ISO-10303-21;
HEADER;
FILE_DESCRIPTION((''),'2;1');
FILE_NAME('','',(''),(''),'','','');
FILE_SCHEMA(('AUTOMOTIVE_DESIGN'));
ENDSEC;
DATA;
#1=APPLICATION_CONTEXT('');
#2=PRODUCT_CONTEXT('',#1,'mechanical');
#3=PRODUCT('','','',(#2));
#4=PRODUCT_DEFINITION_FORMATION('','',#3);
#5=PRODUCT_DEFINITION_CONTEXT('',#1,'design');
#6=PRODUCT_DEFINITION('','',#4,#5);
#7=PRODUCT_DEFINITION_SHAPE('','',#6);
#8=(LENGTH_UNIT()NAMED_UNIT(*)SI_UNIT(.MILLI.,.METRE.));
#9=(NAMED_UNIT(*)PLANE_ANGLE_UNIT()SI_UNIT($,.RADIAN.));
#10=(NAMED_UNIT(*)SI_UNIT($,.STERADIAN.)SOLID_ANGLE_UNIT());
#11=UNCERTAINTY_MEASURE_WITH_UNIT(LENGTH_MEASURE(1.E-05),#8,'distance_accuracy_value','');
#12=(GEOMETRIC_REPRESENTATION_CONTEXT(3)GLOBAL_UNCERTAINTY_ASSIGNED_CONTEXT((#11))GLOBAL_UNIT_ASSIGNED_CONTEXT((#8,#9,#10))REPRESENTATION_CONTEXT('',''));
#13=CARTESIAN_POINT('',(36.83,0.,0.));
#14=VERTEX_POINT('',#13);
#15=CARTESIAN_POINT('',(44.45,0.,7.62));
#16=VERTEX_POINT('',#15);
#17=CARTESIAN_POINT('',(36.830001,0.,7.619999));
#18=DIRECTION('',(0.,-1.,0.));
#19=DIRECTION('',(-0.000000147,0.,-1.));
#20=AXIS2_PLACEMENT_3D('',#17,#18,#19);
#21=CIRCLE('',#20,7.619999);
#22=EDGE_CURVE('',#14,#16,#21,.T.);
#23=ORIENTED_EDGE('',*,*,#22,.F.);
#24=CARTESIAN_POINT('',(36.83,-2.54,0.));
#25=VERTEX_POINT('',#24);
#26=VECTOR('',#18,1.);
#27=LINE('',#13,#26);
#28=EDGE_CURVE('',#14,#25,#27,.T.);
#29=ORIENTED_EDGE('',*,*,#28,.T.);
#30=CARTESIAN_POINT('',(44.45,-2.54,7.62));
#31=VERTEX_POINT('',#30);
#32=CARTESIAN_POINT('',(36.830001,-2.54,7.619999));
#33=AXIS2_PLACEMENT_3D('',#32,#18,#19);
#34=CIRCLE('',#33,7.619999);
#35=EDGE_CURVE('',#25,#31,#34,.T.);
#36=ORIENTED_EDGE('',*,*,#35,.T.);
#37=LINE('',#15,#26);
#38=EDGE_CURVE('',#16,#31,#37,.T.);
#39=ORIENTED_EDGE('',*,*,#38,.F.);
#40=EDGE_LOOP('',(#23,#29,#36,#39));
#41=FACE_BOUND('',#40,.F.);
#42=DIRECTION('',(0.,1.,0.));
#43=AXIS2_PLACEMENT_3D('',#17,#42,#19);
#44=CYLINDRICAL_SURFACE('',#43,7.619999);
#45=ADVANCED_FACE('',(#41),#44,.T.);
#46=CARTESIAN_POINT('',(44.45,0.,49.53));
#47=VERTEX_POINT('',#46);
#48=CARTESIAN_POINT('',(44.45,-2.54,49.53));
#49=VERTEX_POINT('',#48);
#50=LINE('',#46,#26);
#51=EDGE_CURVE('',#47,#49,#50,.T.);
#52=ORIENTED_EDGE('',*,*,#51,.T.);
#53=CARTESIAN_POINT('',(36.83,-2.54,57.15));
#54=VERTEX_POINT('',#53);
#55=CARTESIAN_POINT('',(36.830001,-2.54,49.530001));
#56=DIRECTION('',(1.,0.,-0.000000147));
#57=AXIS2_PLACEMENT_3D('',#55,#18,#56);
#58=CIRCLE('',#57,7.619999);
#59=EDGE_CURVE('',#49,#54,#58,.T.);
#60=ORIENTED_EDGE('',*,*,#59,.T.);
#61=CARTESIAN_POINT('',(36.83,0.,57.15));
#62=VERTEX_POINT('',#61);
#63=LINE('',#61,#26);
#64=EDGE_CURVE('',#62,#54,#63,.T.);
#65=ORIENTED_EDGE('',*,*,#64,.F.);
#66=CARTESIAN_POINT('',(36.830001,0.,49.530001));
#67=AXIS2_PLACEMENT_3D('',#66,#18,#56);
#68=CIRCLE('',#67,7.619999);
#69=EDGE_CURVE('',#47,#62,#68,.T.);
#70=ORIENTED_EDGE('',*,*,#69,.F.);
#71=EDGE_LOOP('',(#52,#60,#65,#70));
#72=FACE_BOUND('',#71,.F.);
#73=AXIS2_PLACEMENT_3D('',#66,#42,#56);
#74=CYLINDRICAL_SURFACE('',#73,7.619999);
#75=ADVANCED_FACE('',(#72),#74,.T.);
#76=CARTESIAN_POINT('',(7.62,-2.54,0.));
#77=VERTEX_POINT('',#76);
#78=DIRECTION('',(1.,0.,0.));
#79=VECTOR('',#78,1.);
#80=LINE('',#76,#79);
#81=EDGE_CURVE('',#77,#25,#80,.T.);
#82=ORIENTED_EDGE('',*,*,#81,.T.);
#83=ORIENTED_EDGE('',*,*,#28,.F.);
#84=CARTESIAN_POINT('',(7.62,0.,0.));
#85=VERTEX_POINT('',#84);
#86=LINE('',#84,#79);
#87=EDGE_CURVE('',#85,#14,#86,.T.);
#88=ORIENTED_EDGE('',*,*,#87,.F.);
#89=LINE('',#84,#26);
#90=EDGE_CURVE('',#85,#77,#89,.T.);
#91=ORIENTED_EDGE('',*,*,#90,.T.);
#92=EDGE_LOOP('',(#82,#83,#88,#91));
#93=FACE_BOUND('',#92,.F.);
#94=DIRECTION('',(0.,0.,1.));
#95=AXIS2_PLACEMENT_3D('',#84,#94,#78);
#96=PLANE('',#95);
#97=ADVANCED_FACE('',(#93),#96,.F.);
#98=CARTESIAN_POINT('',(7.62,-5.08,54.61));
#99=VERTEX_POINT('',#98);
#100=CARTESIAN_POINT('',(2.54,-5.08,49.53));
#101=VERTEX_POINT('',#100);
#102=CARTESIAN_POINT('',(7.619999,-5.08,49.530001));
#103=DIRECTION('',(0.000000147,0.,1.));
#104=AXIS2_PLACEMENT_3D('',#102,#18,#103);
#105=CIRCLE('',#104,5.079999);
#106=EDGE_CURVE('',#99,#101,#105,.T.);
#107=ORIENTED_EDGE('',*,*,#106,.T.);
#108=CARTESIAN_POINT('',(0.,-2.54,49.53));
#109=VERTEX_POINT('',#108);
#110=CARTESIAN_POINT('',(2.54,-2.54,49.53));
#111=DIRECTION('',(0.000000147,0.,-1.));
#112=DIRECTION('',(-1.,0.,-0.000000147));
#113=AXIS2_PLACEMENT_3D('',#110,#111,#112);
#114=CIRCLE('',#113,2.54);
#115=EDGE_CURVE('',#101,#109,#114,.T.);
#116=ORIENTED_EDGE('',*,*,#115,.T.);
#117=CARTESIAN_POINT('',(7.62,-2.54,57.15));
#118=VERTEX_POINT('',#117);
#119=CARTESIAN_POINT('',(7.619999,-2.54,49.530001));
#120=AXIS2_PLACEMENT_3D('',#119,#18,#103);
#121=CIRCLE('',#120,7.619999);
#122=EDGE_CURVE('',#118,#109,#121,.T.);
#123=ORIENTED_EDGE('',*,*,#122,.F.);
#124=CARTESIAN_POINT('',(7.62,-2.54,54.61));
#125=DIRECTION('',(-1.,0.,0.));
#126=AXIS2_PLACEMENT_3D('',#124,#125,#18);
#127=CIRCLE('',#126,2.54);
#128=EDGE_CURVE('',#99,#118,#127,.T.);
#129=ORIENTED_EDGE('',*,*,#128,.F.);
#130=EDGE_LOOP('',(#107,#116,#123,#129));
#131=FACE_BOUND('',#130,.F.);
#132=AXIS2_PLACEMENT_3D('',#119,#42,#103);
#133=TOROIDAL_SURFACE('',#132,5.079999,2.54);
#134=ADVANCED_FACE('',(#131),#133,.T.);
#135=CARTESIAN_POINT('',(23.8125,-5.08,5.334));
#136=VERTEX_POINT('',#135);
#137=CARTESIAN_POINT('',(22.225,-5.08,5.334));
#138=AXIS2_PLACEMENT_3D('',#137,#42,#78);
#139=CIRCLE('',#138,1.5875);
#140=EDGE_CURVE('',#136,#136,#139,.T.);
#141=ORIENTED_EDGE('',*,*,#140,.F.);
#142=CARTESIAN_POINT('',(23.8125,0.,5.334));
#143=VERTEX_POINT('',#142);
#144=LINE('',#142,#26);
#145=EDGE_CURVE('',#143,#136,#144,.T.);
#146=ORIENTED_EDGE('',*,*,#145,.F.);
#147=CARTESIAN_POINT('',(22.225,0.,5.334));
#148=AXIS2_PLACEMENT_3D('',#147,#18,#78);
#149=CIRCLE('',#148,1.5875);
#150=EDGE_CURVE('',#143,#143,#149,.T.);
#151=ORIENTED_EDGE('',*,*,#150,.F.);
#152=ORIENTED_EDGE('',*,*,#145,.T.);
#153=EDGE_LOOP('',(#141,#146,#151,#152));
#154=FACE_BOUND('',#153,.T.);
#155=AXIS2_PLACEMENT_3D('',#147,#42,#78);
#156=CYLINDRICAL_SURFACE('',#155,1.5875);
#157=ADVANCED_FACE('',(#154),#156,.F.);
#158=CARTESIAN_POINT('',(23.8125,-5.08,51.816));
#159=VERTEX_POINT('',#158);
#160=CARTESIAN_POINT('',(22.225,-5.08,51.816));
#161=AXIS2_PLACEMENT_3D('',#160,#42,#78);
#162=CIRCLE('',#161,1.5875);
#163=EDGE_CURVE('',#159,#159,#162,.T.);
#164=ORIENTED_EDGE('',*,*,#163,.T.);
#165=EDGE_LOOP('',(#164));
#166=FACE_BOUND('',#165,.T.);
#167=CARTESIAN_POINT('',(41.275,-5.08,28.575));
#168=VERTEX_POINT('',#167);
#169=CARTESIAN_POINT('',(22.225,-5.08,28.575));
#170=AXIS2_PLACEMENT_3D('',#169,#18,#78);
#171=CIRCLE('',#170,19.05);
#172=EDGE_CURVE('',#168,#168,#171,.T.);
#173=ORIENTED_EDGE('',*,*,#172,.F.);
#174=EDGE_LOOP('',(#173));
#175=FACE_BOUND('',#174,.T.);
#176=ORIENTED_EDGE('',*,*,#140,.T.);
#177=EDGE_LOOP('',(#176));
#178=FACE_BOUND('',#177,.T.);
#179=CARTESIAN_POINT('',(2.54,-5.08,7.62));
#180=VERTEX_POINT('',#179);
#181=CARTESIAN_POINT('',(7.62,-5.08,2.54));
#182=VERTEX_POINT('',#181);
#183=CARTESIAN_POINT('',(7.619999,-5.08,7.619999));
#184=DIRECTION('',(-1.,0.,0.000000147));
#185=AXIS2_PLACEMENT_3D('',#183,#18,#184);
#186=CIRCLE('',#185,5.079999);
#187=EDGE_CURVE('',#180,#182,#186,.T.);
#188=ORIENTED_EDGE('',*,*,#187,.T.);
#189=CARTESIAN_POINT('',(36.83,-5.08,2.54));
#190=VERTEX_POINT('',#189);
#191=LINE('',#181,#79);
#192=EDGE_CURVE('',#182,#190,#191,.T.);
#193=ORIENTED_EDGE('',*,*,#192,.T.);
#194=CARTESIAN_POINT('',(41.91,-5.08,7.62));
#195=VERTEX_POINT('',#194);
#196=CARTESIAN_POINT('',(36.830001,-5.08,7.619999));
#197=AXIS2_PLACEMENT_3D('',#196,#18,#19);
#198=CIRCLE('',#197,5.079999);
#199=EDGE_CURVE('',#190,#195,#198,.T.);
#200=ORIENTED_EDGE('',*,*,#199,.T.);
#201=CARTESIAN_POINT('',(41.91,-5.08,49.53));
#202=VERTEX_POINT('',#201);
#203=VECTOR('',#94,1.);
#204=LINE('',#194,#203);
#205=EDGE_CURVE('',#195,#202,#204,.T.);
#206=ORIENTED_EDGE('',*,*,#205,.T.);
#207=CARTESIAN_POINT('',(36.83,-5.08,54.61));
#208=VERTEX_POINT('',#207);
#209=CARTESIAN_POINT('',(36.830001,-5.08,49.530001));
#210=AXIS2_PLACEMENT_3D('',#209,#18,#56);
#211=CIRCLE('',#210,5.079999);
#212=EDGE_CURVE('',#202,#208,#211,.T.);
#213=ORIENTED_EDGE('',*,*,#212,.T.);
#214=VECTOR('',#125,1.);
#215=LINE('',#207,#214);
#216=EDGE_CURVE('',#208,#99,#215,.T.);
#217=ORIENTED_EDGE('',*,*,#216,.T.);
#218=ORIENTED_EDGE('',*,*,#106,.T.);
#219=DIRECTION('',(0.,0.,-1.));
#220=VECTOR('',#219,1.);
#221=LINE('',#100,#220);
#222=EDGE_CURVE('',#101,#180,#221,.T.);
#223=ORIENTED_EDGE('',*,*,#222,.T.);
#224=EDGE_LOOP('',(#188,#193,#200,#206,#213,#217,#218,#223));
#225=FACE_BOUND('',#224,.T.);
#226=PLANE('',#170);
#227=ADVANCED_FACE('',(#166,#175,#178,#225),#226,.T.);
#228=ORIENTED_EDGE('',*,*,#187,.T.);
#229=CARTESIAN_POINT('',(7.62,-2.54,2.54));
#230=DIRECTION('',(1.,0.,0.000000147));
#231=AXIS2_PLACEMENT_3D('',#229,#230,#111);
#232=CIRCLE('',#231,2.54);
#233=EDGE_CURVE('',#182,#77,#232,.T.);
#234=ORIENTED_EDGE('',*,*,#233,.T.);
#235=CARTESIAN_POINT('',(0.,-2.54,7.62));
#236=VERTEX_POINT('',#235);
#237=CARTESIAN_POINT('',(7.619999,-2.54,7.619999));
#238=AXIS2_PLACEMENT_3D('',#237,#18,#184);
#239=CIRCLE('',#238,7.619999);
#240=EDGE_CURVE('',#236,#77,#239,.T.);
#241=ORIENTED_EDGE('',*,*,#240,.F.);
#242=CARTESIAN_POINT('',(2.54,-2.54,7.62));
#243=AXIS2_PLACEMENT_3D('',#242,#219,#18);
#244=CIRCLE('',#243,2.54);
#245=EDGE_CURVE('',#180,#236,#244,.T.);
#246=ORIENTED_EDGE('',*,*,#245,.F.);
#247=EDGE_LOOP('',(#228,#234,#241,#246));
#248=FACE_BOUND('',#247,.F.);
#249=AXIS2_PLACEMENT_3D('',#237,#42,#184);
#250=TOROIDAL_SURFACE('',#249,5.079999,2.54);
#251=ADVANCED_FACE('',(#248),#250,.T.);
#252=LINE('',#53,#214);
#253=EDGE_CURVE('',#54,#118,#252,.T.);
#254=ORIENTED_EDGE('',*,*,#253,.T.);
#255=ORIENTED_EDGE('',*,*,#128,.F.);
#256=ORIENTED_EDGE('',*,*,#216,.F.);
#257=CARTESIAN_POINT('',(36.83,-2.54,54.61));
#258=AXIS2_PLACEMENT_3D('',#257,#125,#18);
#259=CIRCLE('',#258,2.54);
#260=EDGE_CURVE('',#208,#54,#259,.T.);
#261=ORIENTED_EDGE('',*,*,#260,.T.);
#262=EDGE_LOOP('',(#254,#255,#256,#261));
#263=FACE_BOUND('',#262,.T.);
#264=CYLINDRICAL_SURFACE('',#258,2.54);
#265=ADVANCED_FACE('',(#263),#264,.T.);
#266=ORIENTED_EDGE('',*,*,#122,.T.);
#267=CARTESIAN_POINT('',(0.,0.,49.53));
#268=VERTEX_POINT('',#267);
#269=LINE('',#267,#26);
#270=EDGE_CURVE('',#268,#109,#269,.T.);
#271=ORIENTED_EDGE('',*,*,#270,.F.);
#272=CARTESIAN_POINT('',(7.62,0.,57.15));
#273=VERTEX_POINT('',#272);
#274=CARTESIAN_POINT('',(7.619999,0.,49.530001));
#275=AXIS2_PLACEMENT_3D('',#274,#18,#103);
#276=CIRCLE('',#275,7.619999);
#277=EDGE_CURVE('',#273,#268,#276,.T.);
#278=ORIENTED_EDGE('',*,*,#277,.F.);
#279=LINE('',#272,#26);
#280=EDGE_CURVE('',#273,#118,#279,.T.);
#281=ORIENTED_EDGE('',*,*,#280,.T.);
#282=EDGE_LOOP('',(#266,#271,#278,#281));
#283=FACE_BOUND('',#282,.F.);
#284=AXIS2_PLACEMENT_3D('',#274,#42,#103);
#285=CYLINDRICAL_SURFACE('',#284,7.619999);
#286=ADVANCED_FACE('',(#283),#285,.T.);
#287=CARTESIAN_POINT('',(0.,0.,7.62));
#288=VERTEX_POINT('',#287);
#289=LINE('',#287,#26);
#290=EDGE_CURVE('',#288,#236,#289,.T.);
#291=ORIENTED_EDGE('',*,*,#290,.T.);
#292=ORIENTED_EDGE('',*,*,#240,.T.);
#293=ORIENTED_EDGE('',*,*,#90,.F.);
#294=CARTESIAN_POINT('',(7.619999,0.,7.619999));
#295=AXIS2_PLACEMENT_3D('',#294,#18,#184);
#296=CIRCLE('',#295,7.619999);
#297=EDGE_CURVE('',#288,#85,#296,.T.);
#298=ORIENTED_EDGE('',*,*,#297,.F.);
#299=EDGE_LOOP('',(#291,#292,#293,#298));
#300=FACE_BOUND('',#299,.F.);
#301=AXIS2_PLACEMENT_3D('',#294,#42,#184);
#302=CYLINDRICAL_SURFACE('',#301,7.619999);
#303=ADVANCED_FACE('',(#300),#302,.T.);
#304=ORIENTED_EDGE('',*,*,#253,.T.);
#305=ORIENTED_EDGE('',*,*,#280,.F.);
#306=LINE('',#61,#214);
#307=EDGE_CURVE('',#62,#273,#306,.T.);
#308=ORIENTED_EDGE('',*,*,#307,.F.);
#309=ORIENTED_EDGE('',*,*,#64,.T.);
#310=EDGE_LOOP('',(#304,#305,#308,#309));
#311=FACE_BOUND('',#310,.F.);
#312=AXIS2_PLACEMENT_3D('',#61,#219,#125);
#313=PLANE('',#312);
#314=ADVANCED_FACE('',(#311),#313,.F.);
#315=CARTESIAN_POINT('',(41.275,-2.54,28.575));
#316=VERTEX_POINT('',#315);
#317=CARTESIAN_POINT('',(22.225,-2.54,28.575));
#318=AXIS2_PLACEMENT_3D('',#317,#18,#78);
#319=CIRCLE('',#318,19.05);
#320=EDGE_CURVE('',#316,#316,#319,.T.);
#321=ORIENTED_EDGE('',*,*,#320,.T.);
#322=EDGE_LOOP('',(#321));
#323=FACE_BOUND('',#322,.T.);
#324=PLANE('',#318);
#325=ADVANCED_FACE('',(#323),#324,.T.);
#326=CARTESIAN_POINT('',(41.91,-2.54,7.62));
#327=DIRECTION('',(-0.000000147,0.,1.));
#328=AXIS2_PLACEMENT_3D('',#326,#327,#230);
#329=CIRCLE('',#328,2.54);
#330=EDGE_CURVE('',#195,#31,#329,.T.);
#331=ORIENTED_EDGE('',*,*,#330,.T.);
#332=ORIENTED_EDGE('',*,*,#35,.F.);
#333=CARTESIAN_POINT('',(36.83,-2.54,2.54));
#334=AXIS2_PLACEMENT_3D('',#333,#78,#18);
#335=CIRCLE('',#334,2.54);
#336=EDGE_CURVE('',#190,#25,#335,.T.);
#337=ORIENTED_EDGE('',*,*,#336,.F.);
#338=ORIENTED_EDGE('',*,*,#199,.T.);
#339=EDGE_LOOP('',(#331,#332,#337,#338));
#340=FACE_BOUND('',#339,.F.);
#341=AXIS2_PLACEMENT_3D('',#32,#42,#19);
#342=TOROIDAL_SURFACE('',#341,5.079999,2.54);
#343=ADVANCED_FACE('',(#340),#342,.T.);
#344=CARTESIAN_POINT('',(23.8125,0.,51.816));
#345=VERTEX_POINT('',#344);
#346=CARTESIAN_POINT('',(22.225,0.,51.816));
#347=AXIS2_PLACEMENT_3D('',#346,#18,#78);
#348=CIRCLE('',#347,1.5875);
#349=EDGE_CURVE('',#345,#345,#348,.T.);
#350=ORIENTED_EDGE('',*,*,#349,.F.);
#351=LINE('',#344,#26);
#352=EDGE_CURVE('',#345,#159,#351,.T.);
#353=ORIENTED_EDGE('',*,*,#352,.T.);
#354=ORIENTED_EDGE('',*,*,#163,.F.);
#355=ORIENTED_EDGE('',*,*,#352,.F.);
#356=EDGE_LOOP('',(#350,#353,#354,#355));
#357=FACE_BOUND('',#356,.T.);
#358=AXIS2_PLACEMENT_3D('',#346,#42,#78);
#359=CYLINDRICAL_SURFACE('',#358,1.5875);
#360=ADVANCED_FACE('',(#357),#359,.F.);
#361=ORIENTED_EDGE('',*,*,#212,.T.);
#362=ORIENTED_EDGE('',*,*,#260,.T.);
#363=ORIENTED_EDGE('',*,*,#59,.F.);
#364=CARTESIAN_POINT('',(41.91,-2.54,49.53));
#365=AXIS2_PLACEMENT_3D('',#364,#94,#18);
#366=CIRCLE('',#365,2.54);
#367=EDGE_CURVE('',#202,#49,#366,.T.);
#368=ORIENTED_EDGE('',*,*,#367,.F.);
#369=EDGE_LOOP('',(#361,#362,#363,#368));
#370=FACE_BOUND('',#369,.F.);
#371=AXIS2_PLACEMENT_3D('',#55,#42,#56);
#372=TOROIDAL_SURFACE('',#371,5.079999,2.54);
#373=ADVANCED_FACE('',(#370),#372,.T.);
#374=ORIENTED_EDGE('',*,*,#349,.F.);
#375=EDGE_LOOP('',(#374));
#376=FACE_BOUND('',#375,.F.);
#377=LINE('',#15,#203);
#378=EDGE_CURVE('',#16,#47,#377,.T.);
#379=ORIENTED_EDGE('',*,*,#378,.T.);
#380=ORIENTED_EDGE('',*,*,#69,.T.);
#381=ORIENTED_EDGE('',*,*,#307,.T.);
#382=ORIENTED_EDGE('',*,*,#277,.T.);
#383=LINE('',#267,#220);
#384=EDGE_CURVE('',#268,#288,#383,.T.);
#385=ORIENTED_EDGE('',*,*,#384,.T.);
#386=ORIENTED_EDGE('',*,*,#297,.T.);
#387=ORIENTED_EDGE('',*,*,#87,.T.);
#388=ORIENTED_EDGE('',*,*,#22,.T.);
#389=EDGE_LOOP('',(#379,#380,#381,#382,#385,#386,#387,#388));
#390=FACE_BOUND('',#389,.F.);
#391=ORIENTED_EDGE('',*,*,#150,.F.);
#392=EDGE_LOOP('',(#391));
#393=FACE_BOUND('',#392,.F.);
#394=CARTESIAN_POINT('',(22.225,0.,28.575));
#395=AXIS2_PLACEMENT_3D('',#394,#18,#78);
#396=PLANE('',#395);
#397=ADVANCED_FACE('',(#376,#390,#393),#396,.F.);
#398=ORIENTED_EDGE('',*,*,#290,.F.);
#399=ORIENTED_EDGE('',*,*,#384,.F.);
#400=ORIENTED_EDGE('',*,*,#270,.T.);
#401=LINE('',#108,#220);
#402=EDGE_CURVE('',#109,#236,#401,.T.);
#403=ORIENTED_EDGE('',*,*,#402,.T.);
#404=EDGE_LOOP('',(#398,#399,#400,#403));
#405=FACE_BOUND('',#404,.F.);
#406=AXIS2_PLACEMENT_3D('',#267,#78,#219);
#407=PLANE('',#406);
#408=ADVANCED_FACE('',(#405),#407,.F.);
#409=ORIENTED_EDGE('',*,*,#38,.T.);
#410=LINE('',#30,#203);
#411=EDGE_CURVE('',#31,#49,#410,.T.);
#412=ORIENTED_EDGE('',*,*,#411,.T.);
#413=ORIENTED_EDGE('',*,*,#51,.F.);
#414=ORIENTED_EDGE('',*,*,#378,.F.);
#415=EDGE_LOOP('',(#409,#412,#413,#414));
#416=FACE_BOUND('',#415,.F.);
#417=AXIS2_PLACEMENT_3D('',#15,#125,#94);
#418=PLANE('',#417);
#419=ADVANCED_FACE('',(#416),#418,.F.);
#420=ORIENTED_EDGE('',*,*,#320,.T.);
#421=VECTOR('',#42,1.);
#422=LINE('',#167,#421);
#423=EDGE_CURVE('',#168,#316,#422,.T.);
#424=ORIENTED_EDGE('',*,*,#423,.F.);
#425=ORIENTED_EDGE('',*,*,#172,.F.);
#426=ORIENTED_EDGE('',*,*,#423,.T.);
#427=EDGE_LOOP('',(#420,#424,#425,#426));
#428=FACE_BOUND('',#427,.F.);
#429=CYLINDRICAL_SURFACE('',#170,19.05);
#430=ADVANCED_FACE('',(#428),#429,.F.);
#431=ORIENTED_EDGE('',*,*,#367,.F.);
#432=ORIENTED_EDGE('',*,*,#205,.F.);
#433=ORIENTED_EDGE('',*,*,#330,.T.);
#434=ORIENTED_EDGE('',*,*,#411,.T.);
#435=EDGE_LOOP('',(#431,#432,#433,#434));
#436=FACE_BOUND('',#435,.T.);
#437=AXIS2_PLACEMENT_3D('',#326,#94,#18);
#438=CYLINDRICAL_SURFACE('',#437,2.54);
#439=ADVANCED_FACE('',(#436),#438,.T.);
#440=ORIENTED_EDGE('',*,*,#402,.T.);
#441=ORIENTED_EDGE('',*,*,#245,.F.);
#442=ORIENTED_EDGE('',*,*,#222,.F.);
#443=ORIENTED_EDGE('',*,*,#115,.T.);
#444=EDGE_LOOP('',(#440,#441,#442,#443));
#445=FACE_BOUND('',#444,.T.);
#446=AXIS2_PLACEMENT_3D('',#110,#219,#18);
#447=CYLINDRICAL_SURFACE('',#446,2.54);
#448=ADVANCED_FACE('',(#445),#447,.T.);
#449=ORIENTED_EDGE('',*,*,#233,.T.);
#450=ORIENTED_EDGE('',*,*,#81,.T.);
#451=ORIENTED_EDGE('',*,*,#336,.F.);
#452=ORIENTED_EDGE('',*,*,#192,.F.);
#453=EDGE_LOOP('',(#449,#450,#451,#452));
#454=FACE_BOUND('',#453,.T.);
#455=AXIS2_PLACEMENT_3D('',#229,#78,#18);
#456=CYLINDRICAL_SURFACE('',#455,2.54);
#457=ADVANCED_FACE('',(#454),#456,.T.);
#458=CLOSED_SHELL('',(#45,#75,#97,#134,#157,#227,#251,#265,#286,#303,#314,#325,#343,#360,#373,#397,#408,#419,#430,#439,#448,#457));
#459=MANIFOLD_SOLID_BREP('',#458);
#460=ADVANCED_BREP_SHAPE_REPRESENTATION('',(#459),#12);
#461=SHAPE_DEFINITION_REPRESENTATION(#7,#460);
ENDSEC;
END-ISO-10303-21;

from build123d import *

# Parameters (mm, degrees)
F1_DEPTH = 5.08
F2_R     = 1.5875
F3_DEPTH = 25.4
F4_R     = 2.54
F5_R     = 19.05
F6_DEPTH = 2.54


with BuildPart() as f1:
    # F0 (on Front) → F1 (new body)
    with BuildSketch(Plane.XZ):
        with BuildLine():
            ThreePointArc((0, 7.62), (2.231846, 2.231846), (7.62, 0))
            Line((7.62, 0), (36.83, 0))
            ThreePointArc((36.83, 0), (42.218154, 2.231846), (44.45, 7.62))
            Line((44.45, 7.62), (44.45, 49.53))
            ThreePointArc((44.45, 49.53), (42.218154, 54.918154), (36.83, 57.15))
            Line((36.83, 57.15), (7.62, 57.15))
            ThreePointArc((7.62, 57.15), (2.231846, 54.918154), (0, 49.53))
            Line((0, 49.53), (0, 7.62))
        make_face()
    extrude(amount=F1_DEPTH)

    # F2 (on Front) → F3 (cut)
    with BuildSketch(Plane.XZ):
        with Locations((22.225, 51.816)):
            Circle(F2_R)
        with Locations((22.225, 5.334)):
            Circle(F2_R)
    extrude(amount=F3_DEPTH, mode=Mode.SUBTRACT)

    # F4
    f4_edges = [f1.edges().sort_by_distance(p)[0] for p in [
        (22.225, -5.08, 57.15),
    ]]
    fillet(f4_edges, radius=F4_R)

    # F5 (on face) → F6 (cut)
    with BuildSketch(Plane.XZ.offset(5.08)):
        with Locations((22.225, 28.575)):
            Circle(F5_R)
    extrude(amount=-F6_DEPTH, mode=Mode.SUBTRACT)


solid = f1.part
